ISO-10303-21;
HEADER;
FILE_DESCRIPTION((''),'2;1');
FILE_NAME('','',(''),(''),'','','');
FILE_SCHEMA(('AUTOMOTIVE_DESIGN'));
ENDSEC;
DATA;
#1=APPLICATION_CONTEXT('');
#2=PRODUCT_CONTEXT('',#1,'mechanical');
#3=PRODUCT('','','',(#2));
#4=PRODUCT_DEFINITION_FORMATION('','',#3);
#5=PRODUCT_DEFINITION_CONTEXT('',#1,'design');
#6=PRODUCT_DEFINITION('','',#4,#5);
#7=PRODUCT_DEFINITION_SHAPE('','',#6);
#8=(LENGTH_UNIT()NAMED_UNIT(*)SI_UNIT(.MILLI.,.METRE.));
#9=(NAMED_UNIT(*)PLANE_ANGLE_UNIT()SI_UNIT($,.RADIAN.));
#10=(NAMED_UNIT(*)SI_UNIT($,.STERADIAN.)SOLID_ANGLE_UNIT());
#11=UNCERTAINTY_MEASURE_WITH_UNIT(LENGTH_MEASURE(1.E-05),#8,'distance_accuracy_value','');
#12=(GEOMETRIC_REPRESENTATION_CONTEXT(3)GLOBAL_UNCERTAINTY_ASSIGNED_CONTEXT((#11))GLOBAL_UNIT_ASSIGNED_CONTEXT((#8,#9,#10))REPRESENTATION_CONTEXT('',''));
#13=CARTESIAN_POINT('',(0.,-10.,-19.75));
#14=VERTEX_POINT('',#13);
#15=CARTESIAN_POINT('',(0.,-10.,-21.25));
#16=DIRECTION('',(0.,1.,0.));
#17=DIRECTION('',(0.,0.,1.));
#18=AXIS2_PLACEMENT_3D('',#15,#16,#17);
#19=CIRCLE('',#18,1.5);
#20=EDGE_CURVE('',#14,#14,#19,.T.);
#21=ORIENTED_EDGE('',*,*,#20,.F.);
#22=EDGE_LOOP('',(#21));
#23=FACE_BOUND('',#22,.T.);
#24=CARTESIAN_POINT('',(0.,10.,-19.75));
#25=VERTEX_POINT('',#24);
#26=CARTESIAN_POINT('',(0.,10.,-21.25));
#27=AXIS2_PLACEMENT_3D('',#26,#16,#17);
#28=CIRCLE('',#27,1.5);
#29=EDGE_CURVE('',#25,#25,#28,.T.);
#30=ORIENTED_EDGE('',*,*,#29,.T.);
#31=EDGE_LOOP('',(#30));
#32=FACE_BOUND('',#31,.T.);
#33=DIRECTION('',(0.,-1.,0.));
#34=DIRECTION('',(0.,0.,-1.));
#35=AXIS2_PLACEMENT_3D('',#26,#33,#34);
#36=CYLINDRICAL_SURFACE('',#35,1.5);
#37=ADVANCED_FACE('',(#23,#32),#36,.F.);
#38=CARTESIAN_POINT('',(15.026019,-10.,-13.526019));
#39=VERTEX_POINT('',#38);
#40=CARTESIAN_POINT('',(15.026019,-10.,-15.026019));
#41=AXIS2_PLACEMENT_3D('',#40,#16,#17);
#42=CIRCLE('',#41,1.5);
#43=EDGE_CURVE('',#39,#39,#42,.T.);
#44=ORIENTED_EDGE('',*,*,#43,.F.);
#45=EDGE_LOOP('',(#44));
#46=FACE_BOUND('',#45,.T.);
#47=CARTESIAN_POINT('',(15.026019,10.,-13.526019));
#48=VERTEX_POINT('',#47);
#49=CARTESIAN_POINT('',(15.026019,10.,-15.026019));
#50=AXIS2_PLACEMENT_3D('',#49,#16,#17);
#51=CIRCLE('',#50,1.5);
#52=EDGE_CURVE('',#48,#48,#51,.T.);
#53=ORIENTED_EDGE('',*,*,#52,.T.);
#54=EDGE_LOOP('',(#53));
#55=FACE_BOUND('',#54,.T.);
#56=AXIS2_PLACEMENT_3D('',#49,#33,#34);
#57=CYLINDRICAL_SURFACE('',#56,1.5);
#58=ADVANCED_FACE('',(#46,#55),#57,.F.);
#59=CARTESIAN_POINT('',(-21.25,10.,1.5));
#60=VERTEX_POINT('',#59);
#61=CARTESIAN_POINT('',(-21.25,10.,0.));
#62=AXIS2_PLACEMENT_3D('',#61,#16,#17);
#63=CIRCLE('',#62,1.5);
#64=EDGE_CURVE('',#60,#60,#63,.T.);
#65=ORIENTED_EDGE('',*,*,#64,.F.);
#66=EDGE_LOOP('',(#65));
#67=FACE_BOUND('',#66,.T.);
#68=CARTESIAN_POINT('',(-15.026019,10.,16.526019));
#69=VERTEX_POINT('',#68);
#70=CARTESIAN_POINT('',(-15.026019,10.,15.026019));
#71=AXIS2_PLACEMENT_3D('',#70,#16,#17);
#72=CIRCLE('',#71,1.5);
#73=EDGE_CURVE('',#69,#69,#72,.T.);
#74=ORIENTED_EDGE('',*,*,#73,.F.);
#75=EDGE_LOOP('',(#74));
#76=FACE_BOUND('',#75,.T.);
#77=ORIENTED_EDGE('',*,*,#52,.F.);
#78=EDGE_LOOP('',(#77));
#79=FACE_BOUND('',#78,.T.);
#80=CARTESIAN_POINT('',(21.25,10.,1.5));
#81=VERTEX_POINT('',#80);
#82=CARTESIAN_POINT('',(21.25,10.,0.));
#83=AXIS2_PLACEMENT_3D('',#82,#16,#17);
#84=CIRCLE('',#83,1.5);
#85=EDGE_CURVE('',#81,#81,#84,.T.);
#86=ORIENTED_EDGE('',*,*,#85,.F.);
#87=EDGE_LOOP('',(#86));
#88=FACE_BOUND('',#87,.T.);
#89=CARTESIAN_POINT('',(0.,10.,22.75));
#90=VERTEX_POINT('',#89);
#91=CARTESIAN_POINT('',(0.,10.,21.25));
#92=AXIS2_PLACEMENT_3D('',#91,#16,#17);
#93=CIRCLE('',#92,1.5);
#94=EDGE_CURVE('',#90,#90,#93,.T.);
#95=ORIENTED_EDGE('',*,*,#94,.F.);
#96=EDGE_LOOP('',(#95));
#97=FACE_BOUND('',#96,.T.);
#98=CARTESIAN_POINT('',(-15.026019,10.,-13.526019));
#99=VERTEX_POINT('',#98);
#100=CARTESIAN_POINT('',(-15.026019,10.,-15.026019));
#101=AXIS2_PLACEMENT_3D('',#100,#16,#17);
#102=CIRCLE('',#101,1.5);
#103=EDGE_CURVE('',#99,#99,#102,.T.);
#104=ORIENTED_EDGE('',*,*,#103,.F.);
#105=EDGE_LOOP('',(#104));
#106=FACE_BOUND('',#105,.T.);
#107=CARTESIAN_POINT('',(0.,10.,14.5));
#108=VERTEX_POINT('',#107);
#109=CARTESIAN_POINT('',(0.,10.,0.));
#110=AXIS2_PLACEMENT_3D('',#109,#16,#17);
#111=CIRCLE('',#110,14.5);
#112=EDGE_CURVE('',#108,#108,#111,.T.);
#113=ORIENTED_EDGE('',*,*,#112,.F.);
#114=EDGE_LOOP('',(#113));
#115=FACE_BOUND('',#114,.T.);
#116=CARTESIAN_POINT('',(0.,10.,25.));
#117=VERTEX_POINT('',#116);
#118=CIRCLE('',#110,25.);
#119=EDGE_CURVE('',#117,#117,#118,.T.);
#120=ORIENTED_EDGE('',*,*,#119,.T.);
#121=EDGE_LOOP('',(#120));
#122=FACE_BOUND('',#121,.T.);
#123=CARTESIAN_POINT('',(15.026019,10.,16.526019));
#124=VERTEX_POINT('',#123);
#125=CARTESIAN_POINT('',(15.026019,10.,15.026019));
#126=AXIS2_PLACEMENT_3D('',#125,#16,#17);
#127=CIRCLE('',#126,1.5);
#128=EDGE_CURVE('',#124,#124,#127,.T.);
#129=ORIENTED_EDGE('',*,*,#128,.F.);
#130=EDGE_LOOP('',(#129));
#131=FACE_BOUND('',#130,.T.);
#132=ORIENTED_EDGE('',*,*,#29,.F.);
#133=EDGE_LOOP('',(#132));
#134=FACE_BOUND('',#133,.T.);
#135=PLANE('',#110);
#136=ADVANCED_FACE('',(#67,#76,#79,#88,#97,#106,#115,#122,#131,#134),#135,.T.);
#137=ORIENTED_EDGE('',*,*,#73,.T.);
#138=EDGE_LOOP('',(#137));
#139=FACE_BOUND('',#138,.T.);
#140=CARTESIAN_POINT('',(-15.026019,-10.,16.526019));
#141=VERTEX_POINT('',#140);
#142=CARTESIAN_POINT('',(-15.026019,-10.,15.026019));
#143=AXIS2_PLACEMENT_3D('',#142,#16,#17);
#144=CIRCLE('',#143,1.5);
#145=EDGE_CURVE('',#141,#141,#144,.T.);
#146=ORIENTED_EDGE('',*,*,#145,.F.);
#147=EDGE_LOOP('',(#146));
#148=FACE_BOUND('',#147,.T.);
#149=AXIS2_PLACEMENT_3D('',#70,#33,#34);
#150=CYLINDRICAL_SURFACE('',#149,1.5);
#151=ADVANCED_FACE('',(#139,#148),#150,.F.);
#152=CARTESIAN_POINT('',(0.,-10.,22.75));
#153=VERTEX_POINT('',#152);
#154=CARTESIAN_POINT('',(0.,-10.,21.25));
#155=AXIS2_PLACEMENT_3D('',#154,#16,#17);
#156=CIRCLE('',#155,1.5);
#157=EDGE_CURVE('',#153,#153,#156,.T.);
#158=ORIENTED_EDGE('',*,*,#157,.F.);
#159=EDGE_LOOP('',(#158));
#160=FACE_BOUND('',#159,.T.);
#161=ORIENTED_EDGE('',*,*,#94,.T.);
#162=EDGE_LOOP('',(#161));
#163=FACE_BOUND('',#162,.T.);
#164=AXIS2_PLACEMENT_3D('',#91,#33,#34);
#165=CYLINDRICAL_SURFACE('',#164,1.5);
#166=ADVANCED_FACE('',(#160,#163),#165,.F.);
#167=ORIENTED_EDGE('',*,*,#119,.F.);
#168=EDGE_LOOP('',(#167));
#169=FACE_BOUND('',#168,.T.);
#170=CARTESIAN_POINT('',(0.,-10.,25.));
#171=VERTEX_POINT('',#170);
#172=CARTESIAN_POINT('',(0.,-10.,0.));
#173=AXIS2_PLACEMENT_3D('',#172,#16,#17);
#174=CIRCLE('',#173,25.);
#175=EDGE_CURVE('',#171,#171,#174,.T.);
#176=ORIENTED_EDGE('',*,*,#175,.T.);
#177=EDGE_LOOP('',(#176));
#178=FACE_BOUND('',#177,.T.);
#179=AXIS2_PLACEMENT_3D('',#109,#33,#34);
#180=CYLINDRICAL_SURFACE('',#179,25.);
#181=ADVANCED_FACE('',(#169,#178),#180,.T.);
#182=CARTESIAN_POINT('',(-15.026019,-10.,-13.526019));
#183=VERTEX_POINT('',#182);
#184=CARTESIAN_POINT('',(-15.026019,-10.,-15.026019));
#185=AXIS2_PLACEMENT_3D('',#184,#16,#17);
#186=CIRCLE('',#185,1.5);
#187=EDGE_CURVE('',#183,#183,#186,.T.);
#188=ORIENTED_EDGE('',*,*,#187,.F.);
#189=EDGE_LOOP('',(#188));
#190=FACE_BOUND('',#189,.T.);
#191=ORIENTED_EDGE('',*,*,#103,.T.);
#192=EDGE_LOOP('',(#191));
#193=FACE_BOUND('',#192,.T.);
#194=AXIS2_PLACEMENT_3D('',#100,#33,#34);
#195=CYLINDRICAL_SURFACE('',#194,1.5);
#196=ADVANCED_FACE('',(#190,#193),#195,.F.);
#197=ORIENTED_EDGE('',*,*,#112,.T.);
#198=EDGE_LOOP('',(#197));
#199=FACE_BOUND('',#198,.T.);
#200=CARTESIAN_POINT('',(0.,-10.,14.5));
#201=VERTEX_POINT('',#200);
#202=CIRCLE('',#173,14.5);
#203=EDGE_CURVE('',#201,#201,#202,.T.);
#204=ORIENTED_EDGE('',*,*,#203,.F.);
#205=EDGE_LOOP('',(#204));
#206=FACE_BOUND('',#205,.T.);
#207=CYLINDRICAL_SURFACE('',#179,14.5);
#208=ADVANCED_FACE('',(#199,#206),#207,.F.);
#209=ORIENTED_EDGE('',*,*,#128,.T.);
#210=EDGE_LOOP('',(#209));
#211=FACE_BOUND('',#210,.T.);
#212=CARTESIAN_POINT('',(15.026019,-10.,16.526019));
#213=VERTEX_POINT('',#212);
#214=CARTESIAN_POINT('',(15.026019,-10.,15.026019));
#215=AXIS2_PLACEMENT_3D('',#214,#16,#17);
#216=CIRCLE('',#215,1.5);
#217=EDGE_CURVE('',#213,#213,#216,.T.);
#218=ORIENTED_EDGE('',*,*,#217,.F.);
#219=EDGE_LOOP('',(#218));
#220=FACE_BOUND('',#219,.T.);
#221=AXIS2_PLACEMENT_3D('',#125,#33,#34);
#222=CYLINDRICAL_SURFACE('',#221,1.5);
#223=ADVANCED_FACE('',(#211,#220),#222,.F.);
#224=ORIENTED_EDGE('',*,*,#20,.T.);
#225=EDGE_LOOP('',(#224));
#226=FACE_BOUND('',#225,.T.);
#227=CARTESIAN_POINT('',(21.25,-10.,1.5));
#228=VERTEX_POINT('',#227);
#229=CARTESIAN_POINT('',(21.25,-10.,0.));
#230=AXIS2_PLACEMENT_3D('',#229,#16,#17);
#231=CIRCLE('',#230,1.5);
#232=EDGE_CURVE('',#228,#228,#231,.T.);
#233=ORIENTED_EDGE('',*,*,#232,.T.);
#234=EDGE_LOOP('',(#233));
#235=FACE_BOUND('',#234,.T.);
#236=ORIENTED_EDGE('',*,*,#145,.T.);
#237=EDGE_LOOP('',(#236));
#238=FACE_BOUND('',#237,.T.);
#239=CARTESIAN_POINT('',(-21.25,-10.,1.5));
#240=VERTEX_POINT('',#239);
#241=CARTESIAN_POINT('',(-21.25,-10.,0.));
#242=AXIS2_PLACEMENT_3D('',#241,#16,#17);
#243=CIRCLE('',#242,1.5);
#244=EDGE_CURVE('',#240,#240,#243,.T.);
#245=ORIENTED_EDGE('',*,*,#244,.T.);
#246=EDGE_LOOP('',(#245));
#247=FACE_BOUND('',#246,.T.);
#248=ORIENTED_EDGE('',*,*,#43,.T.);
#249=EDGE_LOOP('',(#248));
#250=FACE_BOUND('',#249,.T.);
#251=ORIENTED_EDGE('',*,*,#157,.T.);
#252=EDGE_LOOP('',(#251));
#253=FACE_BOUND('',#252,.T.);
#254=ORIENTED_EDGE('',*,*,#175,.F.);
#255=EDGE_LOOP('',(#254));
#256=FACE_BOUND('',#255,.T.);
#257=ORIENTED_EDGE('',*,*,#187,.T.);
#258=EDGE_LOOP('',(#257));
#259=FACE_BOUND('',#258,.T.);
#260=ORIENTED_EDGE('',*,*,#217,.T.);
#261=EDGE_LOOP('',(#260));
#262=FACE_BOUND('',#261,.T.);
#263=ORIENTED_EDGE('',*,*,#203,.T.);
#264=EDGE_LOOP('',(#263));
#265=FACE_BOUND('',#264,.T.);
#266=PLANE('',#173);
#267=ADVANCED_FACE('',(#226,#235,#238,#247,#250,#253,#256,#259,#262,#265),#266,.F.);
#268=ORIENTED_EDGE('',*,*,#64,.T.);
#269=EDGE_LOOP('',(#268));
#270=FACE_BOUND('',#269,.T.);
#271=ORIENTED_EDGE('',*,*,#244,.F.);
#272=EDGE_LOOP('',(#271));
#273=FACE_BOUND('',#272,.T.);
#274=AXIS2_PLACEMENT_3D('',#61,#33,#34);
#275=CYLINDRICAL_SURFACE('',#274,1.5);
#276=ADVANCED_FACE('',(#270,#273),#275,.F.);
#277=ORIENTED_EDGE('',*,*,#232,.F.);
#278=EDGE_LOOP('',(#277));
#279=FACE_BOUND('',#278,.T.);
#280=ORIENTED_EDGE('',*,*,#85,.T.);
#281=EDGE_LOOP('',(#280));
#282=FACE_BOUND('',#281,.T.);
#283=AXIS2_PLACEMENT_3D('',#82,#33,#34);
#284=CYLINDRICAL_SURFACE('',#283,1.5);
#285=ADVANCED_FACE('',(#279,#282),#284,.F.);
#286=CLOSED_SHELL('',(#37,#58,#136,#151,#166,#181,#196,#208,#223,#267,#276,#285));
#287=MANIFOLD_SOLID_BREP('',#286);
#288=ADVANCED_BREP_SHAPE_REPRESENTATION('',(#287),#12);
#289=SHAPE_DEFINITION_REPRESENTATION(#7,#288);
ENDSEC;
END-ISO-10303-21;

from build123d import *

# Parameters (mm, degrees)
SKETCH1_R           = 25
SKETCH1_R_2         = 1.5
SKETCH1_R_3         = 14.5
BOSS_EXTRUDE1_DEPTH = 10


with BuildPart() as part:
    # Sketch1 → Boss-Extrude1 (new, symmetric)
    with BuildSketch(Plane(origin=(0, 0, 0), x_dir=(1, 0, 0), z_dir=(0, 1, 0))):
        with Locations(Location((0, 0, 0), (0, 0, 270))):
            Circle(SKETCH1_R)
        with Locations(Location((0, -21.25, 0), (0, 0, 270))):
            Circle(SKETCH1_R_2, mode=Mode.SUBTRACT)
        with Locations(Location((-15.0260191, -15.0260191, 0), (0, 0, 270))):
            Circle(SKETCH1_R_2, mode=Mode.SUBTRACT)
        with Locations(Location((-21.25, 0, 0), (0, 0, 270))):
            Circle(SKETCH1_R_2, mode=Mode.SUBTRACT)
        with Locations(Location((-15.0260191, 15.0260191, 0), (0, 0, 270))):
            Circle(SKETCH1_R_2, mode=Mode.SUBTRACT)
        with Locations(Location((0, 21.25, 0), (0, 0, 270))):
            Circle(SKETCH1_R_2, mode=Mode.SUBTRACT)
        with Locations(Location((15.0260191, 15.0260191, 0), (0, 0, 270))):
            Circle(SKETCH1_R_2, mode=Mode.SUBTRACT)
        with Locations(Location((21.25, 0, 0), (0, 0, 270))):
            Circle(SKETCH1_R_2, mode=Mode.SUBTRACT)
        with Locations(Location((15.0260191, -15.0260191, 0), (0, 0, 270))):
            Circle(SKETCH1_R_2, mode=Mode.SUBTRACT)
        with Locations(Location((0, 0, 0), (0, 0, 270))):
            Circle(SKETCH1_R_3, mode=Mode.SUBTRACT)
    extrude(amount=BOSS_EXTRUDE1_DEPTH, both=True)


solid = part.part
